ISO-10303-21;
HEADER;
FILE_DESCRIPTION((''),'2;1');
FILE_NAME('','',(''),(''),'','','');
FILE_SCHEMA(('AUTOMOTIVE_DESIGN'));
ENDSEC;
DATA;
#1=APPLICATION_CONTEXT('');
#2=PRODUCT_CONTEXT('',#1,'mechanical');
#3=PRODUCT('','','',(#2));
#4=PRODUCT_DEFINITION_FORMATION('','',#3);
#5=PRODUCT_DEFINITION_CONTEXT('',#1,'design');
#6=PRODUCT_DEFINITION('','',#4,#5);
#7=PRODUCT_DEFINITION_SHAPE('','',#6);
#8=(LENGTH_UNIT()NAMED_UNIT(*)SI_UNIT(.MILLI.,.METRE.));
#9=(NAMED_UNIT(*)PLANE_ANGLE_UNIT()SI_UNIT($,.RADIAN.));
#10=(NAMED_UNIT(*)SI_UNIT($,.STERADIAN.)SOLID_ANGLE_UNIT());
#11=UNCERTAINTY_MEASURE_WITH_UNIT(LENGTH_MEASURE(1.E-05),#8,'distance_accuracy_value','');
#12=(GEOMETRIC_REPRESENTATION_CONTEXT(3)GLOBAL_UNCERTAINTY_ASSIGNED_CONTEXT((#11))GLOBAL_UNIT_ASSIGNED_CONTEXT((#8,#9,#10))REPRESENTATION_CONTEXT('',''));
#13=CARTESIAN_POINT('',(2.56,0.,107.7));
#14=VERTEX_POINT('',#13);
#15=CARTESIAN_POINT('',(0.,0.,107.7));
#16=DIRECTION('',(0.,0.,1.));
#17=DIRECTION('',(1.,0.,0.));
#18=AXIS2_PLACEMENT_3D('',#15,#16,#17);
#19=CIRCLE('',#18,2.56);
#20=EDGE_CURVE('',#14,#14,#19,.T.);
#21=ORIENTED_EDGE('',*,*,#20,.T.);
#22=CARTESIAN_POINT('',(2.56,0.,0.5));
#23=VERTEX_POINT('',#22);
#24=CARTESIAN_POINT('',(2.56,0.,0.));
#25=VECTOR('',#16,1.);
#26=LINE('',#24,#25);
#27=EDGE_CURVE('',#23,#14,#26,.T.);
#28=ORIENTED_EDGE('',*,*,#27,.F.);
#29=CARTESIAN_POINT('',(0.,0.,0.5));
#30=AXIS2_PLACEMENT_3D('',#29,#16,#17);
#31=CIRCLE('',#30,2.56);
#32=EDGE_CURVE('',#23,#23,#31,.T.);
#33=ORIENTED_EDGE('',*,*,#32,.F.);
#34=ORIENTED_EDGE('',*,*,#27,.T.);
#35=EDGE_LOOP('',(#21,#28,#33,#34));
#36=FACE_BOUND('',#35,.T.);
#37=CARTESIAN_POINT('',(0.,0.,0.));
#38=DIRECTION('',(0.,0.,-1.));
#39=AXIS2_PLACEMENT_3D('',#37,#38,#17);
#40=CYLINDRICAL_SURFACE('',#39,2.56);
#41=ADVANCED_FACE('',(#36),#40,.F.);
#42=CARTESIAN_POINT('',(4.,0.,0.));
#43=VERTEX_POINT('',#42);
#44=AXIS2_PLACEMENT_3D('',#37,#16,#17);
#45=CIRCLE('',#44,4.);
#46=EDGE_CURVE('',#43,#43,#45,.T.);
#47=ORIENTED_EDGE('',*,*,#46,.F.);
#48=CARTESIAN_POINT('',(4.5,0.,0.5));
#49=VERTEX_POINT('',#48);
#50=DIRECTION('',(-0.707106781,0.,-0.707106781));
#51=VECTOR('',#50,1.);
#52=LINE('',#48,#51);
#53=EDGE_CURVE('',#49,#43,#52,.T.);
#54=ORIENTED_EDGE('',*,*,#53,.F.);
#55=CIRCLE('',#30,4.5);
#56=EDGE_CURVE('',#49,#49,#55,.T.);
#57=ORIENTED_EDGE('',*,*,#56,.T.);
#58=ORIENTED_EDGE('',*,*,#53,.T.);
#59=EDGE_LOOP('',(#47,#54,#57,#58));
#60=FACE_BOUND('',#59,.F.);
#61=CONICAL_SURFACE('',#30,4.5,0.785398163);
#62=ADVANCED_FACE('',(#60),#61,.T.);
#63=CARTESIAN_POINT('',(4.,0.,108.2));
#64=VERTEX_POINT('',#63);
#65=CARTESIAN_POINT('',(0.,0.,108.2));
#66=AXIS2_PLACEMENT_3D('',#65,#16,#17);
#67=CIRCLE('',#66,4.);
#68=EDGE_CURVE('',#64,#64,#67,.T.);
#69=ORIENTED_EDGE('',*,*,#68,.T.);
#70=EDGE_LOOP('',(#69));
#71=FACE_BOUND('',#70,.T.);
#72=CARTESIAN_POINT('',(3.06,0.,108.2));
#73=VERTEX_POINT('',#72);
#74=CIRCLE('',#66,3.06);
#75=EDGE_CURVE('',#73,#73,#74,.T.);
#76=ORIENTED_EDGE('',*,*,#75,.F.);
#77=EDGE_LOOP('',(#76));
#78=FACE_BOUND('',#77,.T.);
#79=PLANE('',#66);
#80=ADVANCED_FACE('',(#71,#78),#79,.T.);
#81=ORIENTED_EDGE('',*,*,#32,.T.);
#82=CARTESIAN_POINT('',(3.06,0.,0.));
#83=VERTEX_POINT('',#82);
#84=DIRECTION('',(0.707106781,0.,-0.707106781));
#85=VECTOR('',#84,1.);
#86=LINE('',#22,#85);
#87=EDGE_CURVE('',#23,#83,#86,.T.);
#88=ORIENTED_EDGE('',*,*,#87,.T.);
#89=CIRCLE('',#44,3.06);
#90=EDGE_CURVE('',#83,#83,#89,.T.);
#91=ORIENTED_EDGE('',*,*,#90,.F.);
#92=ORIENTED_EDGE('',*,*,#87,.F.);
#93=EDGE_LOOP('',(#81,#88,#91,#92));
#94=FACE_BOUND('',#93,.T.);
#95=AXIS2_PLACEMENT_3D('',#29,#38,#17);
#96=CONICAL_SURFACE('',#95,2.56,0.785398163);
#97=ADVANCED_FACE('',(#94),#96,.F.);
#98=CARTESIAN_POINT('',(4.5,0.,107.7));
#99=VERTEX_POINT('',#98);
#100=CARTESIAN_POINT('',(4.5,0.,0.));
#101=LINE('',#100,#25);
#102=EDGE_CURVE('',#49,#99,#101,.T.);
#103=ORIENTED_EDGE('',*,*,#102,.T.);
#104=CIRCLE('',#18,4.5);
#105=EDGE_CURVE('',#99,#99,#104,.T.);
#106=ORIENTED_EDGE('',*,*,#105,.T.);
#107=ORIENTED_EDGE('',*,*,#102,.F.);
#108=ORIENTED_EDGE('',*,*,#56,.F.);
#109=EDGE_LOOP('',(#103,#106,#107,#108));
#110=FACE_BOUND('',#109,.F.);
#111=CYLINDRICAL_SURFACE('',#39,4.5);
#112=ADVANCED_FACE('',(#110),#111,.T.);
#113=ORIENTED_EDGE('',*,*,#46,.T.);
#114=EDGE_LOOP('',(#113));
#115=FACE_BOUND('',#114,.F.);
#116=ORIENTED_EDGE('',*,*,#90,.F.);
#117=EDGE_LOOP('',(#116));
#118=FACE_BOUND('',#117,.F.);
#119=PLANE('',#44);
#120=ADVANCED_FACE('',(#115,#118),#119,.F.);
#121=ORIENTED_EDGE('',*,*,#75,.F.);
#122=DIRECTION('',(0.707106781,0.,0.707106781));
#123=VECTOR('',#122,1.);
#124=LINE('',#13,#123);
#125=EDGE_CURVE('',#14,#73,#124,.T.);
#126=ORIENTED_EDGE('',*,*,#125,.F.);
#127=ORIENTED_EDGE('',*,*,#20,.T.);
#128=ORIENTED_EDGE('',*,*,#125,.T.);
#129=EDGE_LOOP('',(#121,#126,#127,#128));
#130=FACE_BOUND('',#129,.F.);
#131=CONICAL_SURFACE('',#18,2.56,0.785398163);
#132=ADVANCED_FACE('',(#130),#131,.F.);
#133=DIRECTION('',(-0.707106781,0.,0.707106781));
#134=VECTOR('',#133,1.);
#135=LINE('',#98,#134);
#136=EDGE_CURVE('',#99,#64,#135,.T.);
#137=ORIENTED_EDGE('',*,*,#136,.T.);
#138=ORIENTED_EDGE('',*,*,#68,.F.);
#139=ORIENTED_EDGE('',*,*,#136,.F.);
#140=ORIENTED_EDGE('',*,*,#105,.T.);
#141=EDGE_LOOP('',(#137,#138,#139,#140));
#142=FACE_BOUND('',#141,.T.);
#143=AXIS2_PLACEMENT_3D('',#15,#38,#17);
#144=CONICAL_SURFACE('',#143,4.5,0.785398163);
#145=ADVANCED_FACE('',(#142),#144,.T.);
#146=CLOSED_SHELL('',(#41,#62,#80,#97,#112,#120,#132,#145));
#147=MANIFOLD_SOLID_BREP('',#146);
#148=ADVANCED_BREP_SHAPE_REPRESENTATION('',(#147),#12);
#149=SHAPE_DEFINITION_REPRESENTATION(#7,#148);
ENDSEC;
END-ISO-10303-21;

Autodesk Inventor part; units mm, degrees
ref_plane "YZ Plane" through (0, 0, 0) normal (1, 0, 0) x (0, 1, 0)
ref_plane "XZ Plane" through (0, 0, 0) normal (0, 1, 0) x (-1, 0, 0)
sketch "Sketch1" plane through (0, 0, 0) normal (0, 0, 1) x (1, 0, 0)
  circle A0 centre (0, 0) radius 4.5
  circle A1 centre (0, 0) radius 2.56
  dimension "d0" = 9
  dimension "d1" = 5.12
extrude "Extrusion1" add sketch "Sketch1" along normal blind 108.2
thread "Thread1" size "M9x1.25" class "6g" standard "ANSI Metric M Profile" length 20
ref_plane "Work Plane1" through (0, 0, 54.1) normal (0, 0, 1) x (1, 0, 0)
thread "Thread2" size "M9x1.25" class "6g" standard "ANSI Metric M Profile" length 20
chamfer "Chamfer2" distance 0.5 angle 45 4 edges at (-2.56, 0, 108.2) (-4.5, 0, 108.2) (-4.5, 0, 0) (-2.56, 0, 0)
properties part number "EjeManzanaD" material "Steel"
